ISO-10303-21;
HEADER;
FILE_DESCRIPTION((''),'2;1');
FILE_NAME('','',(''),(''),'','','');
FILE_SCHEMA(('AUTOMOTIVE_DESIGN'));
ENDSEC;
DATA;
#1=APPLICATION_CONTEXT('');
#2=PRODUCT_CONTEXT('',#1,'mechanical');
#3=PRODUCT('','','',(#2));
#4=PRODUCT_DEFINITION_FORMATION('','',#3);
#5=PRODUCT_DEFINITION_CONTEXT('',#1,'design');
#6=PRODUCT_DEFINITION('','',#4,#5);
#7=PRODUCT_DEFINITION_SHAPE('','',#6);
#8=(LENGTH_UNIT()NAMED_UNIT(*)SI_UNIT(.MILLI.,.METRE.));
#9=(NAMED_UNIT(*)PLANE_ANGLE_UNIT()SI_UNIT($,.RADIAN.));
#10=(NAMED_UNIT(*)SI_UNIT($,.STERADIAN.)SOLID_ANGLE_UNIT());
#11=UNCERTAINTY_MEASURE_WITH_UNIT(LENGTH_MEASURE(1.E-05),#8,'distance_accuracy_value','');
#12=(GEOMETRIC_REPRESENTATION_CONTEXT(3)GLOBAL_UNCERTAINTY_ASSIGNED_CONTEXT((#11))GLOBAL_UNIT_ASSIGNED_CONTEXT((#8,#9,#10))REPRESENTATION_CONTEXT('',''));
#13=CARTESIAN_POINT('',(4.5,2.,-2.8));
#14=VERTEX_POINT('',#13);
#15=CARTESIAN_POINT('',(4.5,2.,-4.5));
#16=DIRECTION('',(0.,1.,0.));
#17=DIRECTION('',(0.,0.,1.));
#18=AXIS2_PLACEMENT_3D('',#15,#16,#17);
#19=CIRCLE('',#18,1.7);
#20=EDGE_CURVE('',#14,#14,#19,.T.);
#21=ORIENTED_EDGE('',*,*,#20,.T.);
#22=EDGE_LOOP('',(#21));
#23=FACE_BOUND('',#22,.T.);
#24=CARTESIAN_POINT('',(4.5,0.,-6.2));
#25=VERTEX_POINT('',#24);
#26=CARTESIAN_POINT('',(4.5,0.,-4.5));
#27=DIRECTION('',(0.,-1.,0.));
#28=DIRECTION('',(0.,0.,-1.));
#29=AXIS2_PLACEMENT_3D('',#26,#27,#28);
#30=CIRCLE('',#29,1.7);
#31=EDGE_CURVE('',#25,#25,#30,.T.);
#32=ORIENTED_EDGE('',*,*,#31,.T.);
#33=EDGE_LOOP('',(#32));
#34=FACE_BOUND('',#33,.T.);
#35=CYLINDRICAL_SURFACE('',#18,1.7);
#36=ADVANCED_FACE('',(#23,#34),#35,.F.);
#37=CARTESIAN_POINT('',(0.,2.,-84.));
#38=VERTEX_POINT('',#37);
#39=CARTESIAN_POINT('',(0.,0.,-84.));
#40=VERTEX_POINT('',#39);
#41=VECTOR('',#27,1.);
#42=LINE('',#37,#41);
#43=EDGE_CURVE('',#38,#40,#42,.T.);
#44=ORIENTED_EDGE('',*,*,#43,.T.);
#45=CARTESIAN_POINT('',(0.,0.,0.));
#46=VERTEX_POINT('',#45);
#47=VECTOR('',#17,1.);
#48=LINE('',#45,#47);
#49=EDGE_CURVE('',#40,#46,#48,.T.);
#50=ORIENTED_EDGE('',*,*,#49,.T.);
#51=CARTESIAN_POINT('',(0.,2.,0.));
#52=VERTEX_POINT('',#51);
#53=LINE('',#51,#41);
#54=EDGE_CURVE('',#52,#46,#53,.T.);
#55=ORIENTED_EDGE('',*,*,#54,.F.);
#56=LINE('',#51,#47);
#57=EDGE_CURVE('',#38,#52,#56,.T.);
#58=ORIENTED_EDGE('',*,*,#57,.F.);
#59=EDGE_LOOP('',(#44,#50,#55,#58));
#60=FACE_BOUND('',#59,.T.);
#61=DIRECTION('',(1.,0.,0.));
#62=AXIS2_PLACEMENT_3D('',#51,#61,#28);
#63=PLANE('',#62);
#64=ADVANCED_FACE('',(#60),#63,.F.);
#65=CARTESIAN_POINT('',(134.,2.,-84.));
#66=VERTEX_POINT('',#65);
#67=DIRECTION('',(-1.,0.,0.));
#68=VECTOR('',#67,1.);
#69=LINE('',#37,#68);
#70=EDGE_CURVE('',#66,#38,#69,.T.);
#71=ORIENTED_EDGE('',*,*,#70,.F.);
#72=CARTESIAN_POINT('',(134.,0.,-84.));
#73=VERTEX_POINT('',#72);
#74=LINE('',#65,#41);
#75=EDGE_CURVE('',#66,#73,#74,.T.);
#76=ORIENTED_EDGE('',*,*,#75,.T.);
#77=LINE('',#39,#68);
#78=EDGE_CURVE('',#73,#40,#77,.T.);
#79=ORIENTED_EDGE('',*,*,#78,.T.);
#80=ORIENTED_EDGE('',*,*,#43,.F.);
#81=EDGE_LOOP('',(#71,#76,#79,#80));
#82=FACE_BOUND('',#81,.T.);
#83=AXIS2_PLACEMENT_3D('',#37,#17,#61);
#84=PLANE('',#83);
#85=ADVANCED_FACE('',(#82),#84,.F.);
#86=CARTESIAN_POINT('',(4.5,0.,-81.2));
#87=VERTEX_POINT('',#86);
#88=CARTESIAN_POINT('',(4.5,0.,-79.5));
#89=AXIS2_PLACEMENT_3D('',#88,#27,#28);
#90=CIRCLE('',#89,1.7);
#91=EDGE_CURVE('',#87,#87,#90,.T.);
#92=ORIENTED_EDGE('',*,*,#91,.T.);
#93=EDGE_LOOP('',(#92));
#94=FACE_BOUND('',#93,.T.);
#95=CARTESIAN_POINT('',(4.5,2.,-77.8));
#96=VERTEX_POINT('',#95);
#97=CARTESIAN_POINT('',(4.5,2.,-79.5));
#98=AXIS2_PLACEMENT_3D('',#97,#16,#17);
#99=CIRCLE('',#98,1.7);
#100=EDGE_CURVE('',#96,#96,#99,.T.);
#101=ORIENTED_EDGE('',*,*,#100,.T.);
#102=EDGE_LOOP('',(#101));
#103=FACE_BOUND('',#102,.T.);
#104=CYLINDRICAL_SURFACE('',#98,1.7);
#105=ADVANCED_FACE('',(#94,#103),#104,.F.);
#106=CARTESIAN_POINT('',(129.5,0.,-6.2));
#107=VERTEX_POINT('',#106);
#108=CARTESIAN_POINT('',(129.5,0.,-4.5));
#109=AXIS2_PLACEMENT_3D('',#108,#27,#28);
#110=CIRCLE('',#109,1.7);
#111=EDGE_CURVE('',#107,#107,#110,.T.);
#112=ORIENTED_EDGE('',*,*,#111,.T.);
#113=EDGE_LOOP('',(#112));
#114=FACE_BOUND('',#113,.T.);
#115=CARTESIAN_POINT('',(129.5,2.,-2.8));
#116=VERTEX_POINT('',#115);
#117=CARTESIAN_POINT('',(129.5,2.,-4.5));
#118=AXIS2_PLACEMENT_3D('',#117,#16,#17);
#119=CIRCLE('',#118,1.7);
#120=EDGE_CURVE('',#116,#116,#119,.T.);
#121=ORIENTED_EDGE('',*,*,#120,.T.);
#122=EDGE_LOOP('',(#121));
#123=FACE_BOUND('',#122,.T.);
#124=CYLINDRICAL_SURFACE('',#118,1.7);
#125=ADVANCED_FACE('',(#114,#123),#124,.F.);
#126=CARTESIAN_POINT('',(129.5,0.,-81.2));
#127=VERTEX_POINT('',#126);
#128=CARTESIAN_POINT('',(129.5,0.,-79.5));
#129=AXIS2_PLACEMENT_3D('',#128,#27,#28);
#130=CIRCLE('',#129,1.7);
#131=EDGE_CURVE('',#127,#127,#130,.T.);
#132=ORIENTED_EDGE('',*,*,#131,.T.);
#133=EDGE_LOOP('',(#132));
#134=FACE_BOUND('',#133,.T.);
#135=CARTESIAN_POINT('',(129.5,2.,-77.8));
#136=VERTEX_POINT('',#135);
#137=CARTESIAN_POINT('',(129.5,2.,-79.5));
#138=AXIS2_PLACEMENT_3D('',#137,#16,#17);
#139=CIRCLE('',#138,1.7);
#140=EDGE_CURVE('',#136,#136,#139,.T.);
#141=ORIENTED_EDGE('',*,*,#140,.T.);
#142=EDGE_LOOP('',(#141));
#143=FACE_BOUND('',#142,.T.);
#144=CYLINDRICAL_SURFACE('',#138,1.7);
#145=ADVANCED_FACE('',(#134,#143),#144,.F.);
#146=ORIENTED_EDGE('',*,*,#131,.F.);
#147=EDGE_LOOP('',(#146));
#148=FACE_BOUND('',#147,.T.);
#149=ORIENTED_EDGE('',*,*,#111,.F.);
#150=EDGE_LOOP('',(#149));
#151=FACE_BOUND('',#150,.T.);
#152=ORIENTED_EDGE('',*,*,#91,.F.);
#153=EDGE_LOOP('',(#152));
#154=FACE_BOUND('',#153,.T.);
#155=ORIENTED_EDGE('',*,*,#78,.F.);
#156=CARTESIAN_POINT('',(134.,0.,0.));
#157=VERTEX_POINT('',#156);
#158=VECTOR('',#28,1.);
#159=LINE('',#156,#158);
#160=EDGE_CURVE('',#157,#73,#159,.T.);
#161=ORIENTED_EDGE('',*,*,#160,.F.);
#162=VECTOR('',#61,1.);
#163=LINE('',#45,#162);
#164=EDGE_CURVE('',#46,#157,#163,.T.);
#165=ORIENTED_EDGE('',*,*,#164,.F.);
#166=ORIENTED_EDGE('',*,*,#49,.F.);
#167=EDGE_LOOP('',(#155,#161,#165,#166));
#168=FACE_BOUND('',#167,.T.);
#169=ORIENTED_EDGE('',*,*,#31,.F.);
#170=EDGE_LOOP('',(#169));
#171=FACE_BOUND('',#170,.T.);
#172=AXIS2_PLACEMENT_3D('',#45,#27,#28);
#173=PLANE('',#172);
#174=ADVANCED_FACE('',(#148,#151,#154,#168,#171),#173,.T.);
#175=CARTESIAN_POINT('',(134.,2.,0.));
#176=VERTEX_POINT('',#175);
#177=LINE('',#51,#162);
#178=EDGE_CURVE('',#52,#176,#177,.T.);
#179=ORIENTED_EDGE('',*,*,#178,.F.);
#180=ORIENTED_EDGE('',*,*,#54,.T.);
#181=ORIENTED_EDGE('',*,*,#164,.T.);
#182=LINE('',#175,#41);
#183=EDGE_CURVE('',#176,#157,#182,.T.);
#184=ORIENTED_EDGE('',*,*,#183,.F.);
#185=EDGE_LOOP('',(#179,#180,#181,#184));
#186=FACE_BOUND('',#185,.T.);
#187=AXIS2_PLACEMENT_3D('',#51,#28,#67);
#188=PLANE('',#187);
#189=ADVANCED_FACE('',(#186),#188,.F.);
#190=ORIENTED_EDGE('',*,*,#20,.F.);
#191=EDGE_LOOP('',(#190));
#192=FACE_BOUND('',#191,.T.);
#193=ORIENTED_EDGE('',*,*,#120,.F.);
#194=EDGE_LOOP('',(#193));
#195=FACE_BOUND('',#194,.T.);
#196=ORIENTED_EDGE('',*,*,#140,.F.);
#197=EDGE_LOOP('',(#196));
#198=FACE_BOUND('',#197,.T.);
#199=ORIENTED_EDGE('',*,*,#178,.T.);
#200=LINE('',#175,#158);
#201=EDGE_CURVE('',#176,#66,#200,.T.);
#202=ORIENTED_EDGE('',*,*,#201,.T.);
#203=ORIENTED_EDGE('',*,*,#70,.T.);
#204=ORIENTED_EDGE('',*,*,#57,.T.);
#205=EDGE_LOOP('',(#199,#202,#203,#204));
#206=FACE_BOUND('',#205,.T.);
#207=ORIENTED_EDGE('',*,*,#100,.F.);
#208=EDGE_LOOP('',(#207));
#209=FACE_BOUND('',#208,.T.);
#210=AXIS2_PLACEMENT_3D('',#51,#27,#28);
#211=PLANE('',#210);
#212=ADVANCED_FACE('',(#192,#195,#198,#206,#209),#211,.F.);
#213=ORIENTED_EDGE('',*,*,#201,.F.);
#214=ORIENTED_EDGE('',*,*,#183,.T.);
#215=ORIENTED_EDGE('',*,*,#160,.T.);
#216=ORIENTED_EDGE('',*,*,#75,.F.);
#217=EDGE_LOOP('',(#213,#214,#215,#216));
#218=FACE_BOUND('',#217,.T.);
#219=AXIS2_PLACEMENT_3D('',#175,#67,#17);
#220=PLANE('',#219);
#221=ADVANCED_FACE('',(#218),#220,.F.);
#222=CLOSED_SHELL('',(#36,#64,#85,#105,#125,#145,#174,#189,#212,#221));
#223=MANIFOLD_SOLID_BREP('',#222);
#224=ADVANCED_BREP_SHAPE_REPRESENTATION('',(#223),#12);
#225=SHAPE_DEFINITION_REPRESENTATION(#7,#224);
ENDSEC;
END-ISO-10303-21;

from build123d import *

# Parameters (mm, degrees)
SKETCH1_W                = 134
SKETCH1_H                = 84
BOSS_EXTRUDE1_DEPTH      = 2
M3_CLEARANCE_HOLE1_D     = 3.4
M3_CLEARANCE_HOLE1_DEPTH = 5
M3_CLEARANCE_HOLE1_TIP   = 1.021463052


with BuildPart() as part:
    # Sketch1 → Boss-Extrude1 (new body)
    with BuildSketch(Plane(origin=(0, 0, 0), x_dir=(1, 0, 0), z_dir=(0, 1, 0))):
        with Locations((67, 42)):
            Rectangle(SKETCH1_W, SKETCH1_H)
    extrude(amount=BOSS_EXTRUDE1_DEPTH)

    # M3 Clearance Hole1
    with Locations(Plane(origin=(0, 2, 0), x_dir=(1, 0, 0), z_dir=(0, 1, 0))):
        with Locations((4.5, 79.5), (129.5, 79.5), (129.5, 4.5), (4.5, 4.5)):
            Hole(M3_CLEARANCE_HOLE1_D / 2, depth=M3_CLEARANCE_HOLE1_DEPTH)
            with Locations((0, 0, -(M3_CLEARANCE_HOLE1_DEPTH + M3_CLEARANCE_HOLE1_TIP / 2))):  # 118° drill point
                Cone(0, M3_CLEARANCE_HOLE1_D / 2, M3_CLEARANCE_HOLE1_TIP, mode=Mode.SUBTRACT)


solid = part.part
